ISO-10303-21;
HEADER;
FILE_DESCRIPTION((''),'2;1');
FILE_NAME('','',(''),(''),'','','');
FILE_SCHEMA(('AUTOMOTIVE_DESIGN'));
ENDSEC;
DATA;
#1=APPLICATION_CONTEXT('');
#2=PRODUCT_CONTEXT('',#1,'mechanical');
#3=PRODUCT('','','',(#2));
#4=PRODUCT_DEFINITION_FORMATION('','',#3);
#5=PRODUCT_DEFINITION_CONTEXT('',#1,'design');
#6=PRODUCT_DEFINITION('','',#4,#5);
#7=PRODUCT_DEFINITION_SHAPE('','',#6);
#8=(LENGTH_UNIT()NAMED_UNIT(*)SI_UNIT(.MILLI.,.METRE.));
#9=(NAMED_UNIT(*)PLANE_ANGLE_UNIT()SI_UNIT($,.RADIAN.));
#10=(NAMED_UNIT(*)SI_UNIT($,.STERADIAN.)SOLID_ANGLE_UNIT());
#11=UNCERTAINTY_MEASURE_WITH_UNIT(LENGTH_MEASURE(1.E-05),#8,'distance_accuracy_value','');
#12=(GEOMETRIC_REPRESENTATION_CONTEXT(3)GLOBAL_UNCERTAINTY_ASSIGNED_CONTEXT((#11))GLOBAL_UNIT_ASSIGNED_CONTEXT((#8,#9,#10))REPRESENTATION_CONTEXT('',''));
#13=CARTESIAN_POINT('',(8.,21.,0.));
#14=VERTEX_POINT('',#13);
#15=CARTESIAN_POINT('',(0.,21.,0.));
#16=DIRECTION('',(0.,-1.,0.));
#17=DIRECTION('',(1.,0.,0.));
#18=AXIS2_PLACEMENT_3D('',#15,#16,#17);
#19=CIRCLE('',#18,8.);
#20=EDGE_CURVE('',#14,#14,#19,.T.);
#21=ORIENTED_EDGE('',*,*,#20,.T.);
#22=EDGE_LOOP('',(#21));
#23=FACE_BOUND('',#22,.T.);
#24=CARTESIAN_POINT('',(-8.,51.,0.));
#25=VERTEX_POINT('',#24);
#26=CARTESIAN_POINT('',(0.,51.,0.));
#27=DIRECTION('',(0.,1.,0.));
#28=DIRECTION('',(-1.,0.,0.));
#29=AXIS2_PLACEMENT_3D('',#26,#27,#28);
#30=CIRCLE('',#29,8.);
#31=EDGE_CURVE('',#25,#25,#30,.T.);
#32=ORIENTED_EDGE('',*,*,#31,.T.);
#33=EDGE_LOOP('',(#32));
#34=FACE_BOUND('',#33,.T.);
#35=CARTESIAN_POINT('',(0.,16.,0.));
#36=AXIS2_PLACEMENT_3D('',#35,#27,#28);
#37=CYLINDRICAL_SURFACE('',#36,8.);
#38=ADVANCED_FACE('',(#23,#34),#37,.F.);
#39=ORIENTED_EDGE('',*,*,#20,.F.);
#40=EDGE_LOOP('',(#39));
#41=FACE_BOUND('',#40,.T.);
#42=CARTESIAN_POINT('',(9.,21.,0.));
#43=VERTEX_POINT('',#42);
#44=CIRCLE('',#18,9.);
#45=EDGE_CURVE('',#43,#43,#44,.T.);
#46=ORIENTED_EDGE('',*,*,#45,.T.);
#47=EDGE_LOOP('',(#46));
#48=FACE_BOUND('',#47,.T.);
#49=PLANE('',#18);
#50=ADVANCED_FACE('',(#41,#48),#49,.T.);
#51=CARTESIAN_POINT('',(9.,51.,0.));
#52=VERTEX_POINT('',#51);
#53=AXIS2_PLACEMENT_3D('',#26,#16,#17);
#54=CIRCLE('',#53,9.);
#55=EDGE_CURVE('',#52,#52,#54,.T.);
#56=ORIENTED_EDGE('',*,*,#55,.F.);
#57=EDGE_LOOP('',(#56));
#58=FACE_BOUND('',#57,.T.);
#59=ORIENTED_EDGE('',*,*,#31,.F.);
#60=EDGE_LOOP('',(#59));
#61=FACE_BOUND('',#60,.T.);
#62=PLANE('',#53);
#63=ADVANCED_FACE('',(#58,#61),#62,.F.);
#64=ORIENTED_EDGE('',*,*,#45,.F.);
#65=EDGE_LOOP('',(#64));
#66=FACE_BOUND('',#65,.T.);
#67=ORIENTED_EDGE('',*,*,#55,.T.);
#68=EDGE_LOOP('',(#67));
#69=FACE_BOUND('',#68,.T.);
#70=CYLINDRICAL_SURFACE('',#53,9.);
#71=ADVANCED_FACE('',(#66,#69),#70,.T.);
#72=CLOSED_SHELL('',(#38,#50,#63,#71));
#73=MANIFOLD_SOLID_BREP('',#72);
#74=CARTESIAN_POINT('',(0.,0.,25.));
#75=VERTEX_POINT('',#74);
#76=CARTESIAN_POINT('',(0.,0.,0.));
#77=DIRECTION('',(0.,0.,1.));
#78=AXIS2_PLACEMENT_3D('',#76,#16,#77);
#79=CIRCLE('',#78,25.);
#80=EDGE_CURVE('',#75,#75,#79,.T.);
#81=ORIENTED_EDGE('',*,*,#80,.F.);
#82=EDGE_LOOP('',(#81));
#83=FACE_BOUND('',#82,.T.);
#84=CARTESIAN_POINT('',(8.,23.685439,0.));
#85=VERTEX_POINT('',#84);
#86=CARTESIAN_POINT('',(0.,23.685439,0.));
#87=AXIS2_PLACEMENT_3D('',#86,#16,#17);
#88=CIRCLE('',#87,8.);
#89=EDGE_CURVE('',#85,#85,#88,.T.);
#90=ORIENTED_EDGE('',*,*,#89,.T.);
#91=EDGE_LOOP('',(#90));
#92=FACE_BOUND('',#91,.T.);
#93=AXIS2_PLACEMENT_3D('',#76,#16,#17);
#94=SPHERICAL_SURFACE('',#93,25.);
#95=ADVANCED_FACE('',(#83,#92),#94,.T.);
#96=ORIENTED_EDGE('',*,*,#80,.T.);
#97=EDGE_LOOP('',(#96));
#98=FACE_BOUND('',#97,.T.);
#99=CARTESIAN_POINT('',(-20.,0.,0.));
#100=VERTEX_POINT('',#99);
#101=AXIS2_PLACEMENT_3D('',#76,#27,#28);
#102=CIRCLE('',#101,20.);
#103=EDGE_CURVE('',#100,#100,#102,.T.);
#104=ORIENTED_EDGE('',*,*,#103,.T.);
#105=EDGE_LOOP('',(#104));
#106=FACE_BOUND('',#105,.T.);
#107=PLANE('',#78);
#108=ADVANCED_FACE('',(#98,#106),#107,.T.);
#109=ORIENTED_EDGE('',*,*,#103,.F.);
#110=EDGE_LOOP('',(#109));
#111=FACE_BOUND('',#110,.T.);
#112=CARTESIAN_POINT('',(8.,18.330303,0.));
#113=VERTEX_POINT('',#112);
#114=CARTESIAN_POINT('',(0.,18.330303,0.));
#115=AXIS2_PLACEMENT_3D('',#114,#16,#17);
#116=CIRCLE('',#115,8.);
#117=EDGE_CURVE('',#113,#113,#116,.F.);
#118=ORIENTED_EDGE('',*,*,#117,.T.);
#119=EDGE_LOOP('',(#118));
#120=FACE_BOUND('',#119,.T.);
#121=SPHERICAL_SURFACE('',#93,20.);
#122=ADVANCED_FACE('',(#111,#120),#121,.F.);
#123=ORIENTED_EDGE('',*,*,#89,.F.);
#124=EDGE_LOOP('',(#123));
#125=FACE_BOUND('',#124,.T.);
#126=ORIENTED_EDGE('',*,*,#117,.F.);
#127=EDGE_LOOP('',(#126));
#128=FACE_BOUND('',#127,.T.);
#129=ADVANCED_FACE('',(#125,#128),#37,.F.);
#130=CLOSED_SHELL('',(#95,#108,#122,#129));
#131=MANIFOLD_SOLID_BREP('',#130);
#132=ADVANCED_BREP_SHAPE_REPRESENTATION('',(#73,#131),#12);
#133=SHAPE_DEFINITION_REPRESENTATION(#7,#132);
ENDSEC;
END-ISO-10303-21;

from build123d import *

# Parameters (mm, degrees)
REVOLVE1_ANGLE      = 180
CUT_REVOLVE1_ANGLE  = 180
BOSS_EXTRUDE1_START = -21
SKETCH6_R           = 9
BOSS_EXTRUDE1_DEPTH = 30
SKETCH7_R           = 8
CUT_EXTRUDE6_DEPTH  = 35


with BuildPart() as part:
    # Sketch1 → Revolve1 (revolve)
    with BuildSketch(Plane(origin=(0, 0, 0), x_dir=(1, 0, 0), z_dir=(0, 1, 0))):
        with BuildLine():
            Line((0, 25), (0, -25))
            ThreePointArc((0, -25), (25, 0), (0, 25))
        make_face()
    revolve(axis=Axis((0, 0, -25), (0, 0, 1)), revolution_arc=REVOLVE1_ANGLE)

    # Sketch2 → Cut-Revolve1 (revolve, cut)
    with BuildSketch(Plane.XZ):
        with BuildLine():
            Line((0, -20), (0, 20))
            ThreePointArc((0, 20), (20, 0), (0, -20))
        make_face()
    revolve(axis=Axis((0, 0, -20), (0, 0, 1)), revolution_arc=CUT_REVOLVE1_ANGLE, mode=Mode.SUBTRACT)


with BuildPart() as body_2:
    # Sketch6 → Boss-Extrude1 (new body)
    with BuildSketch(Plane(origin=(0, 0, 0), x_dir=(-1, 0, 0), z_dir=(0, -1, 0)).offset(BOSS_EXTRUDE1_START)):
        with Locations(Location((0, 0, 0), (0, 0, 180))):
            Circle(SKETCH6_R)
    extrude(amount=-BOSS_EXTRUDE1_DEPTH)


with BuildPart() as cut_extrude6_tool:
    # Sketch7 → Cut-Extrude6 (new body)
    with BuildSketch(Plane(origin=(0, 51, 0), x_dir=(-1, 0, 0), z_dir=(0, 1, 0))):
        Circle(SKETCH7_R)
    extrude(amount=-CUT_EXTRUDE6_DEPTH)


with BuildPart() as part_1:
    add(part.part)

    # Cut-Extrude6: cut by cut_extrude6_tool
    add(cut_extrude6_tool.part, mode=Mode.SUBTRACT)


with BuildPart() as body_2_1:
    add(body_2.part)

    # Cut-Extrude6: cut by cut_extrude6_tool
    add(cut_extrude6_tool.part, mode=Mode.SUBTRACT)


solid = Compound([part_1.part, body_2_1.part])
